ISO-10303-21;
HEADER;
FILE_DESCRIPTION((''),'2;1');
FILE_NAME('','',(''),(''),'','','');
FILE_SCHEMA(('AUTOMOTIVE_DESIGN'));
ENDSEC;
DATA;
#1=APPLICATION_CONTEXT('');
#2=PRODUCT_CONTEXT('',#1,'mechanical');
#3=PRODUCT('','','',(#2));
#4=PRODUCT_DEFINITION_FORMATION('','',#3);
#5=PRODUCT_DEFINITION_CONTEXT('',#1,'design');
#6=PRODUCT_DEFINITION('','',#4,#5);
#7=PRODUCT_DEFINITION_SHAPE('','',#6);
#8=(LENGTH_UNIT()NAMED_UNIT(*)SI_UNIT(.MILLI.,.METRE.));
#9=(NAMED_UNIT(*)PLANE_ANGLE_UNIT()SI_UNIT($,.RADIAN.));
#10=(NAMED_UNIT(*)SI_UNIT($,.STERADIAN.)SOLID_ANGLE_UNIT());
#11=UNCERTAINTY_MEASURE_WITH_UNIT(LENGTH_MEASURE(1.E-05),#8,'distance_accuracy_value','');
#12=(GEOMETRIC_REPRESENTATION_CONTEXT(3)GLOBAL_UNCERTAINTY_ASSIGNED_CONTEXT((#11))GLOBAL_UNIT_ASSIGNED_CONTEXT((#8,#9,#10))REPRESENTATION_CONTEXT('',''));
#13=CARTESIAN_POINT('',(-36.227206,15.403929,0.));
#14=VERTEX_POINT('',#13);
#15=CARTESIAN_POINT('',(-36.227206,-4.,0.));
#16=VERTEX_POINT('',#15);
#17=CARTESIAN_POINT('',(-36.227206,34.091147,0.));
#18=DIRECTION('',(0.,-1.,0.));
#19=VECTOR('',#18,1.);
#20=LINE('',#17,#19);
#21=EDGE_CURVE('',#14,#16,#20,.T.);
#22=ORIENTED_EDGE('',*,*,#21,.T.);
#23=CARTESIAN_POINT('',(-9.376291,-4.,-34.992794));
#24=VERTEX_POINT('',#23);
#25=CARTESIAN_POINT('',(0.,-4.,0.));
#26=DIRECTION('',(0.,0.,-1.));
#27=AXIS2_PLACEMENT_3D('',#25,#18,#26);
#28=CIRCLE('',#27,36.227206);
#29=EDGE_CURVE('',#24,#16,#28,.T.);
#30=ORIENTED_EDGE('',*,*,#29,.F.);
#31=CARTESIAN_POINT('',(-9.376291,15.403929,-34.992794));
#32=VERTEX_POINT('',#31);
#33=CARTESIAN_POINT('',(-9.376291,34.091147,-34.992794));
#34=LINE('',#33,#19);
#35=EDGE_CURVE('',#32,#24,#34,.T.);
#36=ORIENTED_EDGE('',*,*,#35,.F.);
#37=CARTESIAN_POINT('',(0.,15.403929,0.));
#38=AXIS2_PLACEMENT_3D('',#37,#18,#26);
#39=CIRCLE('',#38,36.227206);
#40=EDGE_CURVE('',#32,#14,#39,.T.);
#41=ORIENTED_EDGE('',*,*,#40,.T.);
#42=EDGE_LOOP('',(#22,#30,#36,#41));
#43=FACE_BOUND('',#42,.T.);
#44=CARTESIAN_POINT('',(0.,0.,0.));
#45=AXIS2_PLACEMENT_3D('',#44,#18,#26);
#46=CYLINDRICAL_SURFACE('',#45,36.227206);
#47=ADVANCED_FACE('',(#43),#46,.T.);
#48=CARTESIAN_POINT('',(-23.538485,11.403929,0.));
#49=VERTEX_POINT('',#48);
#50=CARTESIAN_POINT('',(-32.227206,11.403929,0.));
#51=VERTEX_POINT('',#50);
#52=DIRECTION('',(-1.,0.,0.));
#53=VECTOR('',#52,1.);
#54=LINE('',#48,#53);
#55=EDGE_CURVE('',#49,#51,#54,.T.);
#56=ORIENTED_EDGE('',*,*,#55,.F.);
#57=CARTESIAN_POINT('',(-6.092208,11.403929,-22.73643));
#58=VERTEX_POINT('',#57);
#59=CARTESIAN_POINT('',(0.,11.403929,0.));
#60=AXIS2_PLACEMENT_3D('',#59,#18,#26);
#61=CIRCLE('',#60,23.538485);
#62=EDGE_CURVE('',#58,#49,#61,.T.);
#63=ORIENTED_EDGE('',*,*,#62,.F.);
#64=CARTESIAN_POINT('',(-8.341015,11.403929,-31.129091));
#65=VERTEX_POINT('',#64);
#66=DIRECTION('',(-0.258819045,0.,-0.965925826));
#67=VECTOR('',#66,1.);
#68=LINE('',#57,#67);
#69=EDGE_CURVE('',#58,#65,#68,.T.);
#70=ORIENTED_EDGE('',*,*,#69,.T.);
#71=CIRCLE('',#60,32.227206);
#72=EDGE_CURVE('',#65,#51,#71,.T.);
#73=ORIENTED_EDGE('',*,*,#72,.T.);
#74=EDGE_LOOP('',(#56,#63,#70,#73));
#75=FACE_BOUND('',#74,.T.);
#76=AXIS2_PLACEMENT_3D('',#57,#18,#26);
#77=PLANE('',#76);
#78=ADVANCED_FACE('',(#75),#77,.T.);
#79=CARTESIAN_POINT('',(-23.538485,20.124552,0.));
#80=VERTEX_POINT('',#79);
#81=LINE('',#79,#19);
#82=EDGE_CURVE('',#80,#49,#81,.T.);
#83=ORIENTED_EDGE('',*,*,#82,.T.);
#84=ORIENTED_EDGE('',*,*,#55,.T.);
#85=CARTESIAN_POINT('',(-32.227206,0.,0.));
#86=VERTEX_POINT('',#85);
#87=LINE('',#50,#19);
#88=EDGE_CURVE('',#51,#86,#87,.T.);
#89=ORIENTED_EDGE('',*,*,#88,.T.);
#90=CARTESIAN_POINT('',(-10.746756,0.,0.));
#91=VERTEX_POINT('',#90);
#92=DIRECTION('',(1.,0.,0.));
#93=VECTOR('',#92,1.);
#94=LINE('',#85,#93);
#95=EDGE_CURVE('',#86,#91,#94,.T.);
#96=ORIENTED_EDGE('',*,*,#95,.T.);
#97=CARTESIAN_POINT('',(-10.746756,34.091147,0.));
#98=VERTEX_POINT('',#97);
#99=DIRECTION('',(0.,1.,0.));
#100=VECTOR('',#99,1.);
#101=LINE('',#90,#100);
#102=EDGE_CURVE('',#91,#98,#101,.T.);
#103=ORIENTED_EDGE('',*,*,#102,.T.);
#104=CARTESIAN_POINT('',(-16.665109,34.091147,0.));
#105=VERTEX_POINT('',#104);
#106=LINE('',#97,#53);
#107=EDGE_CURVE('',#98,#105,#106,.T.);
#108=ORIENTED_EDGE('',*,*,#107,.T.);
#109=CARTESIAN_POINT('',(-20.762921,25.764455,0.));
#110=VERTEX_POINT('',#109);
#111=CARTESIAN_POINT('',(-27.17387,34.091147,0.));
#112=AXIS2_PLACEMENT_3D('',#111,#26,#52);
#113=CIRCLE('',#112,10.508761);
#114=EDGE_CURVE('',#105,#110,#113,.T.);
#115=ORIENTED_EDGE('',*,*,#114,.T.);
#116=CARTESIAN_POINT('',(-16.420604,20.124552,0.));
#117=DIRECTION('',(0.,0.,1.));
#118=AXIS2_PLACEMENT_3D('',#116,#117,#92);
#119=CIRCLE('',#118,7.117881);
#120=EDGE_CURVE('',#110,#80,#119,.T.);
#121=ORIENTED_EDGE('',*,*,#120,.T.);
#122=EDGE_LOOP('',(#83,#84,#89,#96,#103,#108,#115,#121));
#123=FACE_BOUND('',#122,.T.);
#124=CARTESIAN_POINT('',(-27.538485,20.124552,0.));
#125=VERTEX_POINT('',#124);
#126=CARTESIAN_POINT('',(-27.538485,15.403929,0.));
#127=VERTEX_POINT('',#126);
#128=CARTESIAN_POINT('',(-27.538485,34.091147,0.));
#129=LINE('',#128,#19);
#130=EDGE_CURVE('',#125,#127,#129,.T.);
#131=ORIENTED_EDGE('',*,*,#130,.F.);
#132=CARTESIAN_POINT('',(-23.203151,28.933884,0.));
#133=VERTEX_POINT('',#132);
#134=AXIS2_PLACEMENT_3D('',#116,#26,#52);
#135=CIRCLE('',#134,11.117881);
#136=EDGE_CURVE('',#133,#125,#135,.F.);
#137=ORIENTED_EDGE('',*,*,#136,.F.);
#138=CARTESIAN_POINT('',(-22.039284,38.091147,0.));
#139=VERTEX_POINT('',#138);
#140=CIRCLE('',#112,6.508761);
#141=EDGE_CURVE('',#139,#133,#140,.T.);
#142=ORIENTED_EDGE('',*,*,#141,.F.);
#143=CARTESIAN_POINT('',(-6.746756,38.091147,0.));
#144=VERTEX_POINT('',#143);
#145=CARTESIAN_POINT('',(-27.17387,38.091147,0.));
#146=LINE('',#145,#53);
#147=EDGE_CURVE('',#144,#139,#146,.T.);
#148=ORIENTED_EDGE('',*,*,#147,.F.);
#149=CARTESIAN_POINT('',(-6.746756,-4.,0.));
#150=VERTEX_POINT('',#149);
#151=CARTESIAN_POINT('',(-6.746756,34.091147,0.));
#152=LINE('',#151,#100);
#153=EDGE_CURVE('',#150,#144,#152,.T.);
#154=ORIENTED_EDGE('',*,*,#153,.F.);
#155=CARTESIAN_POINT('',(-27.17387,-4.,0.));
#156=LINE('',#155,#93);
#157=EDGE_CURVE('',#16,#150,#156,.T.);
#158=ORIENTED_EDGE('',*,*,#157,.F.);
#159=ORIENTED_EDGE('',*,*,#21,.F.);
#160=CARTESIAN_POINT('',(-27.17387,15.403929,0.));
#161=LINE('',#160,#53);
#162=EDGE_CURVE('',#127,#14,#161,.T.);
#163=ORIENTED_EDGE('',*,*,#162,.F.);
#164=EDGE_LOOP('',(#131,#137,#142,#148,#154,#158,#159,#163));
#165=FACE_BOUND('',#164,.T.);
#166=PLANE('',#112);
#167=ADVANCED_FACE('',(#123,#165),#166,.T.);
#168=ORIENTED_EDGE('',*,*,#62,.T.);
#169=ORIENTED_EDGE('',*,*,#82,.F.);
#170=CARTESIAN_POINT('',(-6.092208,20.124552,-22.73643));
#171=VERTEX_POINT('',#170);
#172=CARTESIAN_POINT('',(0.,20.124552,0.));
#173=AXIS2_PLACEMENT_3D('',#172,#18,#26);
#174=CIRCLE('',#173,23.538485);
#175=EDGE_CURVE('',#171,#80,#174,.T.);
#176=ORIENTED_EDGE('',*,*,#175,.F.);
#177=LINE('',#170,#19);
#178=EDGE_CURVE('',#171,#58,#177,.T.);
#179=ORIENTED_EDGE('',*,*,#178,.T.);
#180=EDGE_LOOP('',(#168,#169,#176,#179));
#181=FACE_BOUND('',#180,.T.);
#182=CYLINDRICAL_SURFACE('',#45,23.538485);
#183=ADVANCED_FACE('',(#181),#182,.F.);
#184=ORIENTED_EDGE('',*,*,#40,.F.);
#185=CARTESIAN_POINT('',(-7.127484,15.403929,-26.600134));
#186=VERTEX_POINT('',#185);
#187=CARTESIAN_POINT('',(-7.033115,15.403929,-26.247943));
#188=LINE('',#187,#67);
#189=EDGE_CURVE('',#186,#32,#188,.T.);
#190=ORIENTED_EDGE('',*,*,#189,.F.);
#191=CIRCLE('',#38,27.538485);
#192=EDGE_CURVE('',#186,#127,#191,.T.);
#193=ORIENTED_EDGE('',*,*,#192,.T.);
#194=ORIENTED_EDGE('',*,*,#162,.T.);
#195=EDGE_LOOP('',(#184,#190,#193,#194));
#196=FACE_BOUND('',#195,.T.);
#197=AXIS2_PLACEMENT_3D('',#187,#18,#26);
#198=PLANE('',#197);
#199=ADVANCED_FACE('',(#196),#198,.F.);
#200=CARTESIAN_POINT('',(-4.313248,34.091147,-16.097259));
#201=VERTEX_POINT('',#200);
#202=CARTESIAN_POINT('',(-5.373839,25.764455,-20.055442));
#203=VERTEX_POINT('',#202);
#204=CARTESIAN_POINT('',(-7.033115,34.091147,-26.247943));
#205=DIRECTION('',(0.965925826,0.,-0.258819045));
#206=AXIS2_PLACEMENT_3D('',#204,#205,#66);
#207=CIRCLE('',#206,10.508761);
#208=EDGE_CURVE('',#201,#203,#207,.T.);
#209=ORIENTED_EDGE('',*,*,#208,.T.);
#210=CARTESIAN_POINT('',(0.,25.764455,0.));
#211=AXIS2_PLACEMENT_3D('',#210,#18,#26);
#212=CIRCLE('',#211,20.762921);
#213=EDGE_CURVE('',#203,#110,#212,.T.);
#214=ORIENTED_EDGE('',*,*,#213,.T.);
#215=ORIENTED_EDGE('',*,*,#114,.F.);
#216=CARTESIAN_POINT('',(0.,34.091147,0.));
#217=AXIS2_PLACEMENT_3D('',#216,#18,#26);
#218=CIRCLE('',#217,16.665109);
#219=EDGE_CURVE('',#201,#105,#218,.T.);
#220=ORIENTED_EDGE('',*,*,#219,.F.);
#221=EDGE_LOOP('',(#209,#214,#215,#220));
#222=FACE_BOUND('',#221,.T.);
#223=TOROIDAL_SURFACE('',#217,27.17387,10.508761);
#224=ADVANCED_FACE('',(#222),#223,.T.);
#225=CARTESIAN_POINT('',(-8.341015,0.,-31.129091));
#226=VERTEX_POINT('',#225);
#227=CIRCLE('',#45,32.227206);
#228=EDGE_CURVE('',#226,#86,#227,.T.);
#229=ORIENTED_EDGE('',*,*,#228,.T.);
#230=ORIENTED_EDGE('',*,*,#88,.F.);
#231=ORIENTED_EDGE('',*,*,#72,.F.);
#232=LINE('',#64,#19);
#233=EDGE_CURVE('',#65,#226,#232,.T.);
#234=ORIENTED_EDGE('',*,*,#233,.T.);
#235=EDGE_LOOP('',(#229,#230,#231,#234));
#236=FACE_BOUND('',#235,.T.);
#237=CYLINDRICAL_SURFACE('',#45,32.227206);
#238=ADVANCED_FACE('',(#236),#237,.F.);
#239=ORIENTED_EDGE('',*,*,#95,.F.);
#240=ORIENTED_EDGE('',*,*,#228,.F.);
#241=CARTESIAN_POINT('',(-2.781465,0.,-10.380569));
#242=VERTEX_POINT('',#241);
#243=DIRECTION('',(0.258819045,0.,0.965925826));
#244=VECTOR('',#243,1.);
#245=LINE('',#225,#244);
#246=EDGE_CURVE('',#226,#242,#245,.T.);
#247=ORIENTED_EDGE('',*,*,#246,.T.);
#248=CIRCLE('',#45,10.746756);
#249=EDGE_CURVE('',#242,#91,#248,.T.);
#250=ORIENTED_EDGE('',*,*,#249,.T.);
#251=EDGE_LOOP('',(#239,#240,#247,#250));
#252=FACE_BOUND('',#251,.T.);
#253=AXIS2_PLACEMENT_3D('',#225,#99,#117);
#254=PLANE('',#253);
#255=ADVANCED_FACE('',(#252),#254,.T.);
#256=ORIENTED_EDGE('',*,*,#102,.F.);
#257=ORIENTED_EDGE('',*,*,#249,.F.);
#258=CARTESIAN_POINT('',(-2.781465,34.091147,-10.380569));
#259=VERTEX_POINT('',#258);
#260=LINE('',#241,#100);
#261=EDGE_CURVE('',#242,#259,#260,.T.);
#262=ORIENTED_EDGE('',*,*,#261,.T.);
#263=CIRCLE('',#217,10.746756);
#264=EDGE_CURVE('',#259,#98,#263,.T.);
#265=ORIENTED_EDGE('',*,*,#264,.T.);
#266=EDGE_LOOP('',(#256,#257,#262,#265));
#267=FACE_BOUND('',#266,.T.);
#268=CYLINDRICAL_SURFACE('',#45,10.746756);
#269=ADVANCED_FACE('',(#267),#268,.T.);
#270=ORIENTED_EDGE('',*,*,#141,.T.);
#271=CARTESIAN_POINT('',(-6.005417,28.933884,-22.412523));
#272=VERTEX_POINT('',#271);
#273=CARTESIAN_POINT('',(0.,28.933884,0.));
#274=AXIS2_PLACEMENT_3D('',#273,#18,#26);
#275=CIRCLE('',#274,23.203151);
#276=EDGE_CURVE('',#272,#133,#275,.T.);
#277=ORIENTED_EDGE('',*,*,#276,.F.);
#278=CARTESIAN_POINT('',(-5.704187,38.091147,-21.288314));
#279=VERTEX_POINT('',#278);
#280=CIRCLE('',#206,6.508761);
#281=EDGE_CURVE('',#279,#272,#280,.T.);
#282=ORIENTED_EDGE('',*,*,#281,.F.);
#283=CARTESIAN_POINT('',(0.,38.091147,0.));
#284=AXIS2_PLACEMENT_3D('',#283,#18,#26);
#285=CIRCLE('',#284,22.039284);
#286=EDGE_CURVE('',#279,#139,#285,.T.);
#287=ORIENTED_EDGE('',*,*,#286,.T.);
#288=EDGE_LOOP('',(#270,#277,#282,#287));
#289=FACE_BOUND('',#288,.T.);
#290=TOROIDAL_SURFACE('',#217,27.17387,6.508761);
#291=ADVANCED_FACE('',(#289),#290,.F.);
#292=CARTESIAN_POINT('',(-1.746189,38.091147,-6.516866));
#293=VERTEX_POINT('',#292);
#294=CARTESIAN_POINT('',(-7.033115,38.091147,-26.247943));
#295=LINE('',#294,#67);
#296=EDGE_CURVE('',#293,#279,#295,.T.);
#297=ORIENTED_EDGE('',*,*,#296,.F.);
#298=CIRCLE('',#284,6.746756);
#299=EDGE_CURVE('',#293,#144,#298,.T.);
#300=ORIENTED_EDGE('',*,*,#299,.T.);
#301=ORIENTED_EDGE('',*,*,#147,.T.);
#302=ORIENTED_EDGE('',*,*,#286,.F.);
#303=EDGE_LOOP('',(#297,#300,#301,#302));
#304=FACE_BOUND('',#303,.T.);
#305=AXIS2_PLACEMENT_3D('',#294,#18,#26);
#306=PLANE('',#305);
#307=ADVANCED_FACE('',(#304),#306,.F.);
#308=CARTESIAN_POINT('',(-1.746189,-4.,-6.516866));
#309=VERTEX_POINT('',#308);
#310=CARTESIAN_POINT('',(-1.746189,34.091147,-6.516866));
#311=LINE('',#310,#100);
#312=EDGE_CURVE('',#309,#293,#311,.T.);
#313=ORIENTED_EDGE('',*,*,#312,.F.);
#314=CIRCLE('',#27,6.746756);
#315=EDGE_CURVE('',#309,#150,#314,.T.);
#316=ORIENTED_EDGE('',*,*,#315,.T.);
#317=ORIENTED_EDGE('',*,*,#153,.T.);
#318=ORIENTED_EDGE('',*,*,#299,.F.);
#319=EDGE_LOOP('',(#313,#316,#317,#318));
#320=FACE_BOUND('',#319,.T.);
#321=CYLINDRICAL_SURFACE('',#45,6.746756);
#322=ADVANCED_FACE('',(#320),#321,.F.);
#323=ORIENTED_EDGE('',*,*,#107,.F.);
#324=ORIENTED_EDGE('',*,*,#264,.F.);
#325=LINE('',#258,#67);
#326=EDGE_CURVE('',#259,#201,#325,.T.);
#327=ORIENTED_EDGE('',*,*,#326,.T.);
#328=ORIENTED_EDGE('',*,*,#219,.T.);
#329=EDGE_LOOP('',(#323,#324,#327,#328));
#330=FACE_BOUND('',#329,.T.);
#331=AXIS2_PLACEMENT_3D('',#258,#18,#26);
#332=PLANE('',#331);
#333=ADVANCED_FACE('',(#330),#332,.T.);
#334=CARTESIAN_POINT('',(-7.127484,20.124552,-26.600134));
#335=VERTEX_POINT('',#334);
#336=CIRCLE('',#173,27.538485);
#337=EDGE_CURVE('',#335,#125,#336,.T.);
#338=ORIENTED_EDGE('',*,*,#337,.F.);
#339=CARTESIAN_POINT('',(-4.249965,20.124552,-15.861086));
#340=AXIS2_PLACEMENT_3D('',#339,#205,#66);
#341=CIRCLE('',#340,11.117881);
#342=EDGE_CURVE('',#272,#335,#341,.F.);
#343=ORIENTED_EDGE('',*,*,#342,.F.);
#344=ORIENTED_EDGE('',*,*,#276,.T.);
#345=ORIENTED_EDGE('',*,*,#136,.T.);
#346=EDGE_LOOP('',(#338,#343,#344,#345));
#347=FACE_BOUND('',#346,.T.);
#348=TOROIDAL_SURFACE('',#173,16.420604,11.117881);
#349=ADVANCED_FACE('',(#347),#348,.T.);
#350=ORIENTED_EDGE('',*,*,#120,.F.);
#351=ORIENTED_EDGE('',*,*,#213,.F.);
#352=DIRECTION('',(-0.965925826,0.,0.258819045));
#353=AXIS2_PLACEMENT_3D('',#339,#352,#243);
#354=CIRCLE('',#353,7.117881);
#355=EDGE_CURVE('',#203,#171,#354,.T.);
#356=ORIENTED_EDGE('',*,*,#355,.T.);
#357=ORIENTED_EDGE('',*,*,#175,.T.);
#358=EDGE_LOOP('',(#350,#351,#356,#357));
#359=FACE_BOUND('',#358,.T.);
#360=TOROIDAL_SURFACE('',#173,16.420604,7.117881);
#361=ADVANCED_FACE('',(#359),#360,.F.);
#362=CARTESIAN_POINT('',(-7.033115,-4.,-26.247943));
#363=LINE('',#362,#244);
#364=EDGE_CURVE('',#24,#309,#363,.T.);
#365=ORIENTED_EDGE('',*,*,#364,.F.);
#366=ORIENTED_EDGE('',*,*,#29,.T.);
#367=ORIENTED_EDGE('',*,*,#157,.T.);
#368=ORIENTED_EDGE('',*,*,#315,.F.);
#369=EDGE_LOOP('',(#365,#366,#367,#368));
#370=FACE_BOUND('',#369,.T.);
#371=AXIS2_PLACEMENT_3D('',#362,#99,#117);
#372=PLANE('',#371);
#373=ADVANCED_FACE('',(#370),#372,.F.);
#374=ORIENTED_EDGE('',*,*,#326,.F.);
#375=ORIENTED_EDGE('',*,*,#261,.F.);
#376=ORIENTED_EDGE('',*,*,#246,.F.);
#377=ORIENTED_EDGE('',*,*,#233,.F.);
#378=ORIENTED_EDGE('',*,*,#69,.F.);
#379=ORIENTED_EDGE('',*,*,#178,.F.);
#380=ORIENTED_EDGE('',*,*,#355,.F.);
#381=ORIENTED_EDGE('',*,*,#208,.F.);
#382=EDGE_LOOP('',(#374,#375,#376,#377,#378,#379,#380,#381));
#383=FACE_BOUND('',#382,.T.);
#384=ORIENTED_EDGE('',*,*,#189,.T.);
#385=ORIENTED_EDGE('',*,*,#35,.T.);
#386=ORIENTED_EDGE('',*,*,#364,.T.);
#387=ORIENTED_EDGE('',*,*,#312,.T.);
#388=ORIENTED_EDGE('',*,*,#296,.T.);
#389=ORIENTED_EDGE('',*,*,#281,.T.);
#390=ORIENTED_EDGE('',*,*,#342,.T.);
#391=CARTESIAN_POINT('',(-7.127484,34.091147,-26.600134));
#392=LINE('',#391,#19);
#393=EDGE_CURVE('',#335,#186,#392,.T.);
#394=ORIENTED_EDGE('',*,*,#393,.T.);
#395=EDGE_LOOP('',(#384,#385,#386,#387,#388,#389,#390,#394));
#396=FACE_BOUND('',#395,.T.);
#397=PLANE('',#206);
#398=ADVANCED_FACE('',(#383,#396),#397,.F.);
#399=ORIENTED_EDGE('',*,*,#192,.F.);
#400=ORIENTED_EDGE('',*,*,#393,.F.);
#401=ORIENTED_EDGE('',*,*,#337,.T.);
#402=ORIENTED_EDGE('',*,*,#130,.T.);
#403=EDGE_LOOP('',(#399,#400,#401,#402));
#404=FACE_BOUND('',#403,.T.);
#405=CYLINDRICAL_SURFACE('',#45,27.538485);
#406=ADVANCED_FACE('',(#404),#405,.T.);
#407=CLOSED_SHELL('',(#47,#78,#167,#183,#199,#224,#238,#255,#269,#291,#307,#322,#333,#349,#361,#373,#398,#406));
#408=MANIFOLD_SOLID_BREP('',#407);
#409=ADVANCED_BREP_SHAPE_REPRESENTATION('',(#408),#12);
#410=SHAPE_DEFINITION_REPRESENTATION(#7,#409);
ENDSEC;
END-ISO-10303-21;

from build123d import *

# Parameters (mm, degrees)
REVOLVE_THIN1_ANGLE = 285


with BuildPart() as part:
    # Sketch1 → Revolve-Thin1 (revolve)
    with BuildSketch(Plane.XY):
        with BuildLine():
            Line((-27.538484773, 20.124551934), (-27.538484773, 15.403929488))
            Line((-27.538484773, 15.403929488), (-36.227206247, 15.403929488))
            Line((-36.227206247, 15.403929488), (-36.227206247, -4))
            Line((-36.227206247, -4), (-6.746755937, -4))
            Line((-6.746755937, -4), (-6.746755937, 38.091146669))
            Line((-6.746755937, 38.091146669), (-22.039284373, 38.091146669))
            ThreePointArc((-22.039284373, 38.091146669), (-20.717051221, 33.270500036), (-23.203151183, 28.933883676))
            ThreePointArc((-23.203151183, 28.933883676), (-26.395944189, 25.033712837), (-27.538484773, 20.124551934))
        make_face()
        with BuildLine():
            Line((-23.538484773, 20.124551934), (-23.538484773, 11.403929488))
            Line((-23.538484773, 11.403929488), (-32.227206247, 11.403929488))
            Line((-32.227206247, 11.403929488), (-32.227206247, 0))
            Line((-32.227206247, 0), (-10.746755937, 0))
            Line((-10.746755937, 0), (-10.746755937, 34.091146669))
            Line((-10.746755937, 34.091146669), (-16.665109009, 34.091146669))
            ThreePointArc((-16.665109009, 34.091146669), (-17.745052772, 29.450945899), (-20.762920969, 25.764455257))
            ThreePointArc((-20.762920969, 25.764455257), (-22.807008354, 23.267491001), (-23.538484773, 20.124551934))
        make_face(mode=Mode.SUBTRACT)
    revolve(axis=Axis((0, 0, 0), (0, 1, 0)), revolution_arc=REVOLVE_THIN1_ANGLE)


solid = part.part
